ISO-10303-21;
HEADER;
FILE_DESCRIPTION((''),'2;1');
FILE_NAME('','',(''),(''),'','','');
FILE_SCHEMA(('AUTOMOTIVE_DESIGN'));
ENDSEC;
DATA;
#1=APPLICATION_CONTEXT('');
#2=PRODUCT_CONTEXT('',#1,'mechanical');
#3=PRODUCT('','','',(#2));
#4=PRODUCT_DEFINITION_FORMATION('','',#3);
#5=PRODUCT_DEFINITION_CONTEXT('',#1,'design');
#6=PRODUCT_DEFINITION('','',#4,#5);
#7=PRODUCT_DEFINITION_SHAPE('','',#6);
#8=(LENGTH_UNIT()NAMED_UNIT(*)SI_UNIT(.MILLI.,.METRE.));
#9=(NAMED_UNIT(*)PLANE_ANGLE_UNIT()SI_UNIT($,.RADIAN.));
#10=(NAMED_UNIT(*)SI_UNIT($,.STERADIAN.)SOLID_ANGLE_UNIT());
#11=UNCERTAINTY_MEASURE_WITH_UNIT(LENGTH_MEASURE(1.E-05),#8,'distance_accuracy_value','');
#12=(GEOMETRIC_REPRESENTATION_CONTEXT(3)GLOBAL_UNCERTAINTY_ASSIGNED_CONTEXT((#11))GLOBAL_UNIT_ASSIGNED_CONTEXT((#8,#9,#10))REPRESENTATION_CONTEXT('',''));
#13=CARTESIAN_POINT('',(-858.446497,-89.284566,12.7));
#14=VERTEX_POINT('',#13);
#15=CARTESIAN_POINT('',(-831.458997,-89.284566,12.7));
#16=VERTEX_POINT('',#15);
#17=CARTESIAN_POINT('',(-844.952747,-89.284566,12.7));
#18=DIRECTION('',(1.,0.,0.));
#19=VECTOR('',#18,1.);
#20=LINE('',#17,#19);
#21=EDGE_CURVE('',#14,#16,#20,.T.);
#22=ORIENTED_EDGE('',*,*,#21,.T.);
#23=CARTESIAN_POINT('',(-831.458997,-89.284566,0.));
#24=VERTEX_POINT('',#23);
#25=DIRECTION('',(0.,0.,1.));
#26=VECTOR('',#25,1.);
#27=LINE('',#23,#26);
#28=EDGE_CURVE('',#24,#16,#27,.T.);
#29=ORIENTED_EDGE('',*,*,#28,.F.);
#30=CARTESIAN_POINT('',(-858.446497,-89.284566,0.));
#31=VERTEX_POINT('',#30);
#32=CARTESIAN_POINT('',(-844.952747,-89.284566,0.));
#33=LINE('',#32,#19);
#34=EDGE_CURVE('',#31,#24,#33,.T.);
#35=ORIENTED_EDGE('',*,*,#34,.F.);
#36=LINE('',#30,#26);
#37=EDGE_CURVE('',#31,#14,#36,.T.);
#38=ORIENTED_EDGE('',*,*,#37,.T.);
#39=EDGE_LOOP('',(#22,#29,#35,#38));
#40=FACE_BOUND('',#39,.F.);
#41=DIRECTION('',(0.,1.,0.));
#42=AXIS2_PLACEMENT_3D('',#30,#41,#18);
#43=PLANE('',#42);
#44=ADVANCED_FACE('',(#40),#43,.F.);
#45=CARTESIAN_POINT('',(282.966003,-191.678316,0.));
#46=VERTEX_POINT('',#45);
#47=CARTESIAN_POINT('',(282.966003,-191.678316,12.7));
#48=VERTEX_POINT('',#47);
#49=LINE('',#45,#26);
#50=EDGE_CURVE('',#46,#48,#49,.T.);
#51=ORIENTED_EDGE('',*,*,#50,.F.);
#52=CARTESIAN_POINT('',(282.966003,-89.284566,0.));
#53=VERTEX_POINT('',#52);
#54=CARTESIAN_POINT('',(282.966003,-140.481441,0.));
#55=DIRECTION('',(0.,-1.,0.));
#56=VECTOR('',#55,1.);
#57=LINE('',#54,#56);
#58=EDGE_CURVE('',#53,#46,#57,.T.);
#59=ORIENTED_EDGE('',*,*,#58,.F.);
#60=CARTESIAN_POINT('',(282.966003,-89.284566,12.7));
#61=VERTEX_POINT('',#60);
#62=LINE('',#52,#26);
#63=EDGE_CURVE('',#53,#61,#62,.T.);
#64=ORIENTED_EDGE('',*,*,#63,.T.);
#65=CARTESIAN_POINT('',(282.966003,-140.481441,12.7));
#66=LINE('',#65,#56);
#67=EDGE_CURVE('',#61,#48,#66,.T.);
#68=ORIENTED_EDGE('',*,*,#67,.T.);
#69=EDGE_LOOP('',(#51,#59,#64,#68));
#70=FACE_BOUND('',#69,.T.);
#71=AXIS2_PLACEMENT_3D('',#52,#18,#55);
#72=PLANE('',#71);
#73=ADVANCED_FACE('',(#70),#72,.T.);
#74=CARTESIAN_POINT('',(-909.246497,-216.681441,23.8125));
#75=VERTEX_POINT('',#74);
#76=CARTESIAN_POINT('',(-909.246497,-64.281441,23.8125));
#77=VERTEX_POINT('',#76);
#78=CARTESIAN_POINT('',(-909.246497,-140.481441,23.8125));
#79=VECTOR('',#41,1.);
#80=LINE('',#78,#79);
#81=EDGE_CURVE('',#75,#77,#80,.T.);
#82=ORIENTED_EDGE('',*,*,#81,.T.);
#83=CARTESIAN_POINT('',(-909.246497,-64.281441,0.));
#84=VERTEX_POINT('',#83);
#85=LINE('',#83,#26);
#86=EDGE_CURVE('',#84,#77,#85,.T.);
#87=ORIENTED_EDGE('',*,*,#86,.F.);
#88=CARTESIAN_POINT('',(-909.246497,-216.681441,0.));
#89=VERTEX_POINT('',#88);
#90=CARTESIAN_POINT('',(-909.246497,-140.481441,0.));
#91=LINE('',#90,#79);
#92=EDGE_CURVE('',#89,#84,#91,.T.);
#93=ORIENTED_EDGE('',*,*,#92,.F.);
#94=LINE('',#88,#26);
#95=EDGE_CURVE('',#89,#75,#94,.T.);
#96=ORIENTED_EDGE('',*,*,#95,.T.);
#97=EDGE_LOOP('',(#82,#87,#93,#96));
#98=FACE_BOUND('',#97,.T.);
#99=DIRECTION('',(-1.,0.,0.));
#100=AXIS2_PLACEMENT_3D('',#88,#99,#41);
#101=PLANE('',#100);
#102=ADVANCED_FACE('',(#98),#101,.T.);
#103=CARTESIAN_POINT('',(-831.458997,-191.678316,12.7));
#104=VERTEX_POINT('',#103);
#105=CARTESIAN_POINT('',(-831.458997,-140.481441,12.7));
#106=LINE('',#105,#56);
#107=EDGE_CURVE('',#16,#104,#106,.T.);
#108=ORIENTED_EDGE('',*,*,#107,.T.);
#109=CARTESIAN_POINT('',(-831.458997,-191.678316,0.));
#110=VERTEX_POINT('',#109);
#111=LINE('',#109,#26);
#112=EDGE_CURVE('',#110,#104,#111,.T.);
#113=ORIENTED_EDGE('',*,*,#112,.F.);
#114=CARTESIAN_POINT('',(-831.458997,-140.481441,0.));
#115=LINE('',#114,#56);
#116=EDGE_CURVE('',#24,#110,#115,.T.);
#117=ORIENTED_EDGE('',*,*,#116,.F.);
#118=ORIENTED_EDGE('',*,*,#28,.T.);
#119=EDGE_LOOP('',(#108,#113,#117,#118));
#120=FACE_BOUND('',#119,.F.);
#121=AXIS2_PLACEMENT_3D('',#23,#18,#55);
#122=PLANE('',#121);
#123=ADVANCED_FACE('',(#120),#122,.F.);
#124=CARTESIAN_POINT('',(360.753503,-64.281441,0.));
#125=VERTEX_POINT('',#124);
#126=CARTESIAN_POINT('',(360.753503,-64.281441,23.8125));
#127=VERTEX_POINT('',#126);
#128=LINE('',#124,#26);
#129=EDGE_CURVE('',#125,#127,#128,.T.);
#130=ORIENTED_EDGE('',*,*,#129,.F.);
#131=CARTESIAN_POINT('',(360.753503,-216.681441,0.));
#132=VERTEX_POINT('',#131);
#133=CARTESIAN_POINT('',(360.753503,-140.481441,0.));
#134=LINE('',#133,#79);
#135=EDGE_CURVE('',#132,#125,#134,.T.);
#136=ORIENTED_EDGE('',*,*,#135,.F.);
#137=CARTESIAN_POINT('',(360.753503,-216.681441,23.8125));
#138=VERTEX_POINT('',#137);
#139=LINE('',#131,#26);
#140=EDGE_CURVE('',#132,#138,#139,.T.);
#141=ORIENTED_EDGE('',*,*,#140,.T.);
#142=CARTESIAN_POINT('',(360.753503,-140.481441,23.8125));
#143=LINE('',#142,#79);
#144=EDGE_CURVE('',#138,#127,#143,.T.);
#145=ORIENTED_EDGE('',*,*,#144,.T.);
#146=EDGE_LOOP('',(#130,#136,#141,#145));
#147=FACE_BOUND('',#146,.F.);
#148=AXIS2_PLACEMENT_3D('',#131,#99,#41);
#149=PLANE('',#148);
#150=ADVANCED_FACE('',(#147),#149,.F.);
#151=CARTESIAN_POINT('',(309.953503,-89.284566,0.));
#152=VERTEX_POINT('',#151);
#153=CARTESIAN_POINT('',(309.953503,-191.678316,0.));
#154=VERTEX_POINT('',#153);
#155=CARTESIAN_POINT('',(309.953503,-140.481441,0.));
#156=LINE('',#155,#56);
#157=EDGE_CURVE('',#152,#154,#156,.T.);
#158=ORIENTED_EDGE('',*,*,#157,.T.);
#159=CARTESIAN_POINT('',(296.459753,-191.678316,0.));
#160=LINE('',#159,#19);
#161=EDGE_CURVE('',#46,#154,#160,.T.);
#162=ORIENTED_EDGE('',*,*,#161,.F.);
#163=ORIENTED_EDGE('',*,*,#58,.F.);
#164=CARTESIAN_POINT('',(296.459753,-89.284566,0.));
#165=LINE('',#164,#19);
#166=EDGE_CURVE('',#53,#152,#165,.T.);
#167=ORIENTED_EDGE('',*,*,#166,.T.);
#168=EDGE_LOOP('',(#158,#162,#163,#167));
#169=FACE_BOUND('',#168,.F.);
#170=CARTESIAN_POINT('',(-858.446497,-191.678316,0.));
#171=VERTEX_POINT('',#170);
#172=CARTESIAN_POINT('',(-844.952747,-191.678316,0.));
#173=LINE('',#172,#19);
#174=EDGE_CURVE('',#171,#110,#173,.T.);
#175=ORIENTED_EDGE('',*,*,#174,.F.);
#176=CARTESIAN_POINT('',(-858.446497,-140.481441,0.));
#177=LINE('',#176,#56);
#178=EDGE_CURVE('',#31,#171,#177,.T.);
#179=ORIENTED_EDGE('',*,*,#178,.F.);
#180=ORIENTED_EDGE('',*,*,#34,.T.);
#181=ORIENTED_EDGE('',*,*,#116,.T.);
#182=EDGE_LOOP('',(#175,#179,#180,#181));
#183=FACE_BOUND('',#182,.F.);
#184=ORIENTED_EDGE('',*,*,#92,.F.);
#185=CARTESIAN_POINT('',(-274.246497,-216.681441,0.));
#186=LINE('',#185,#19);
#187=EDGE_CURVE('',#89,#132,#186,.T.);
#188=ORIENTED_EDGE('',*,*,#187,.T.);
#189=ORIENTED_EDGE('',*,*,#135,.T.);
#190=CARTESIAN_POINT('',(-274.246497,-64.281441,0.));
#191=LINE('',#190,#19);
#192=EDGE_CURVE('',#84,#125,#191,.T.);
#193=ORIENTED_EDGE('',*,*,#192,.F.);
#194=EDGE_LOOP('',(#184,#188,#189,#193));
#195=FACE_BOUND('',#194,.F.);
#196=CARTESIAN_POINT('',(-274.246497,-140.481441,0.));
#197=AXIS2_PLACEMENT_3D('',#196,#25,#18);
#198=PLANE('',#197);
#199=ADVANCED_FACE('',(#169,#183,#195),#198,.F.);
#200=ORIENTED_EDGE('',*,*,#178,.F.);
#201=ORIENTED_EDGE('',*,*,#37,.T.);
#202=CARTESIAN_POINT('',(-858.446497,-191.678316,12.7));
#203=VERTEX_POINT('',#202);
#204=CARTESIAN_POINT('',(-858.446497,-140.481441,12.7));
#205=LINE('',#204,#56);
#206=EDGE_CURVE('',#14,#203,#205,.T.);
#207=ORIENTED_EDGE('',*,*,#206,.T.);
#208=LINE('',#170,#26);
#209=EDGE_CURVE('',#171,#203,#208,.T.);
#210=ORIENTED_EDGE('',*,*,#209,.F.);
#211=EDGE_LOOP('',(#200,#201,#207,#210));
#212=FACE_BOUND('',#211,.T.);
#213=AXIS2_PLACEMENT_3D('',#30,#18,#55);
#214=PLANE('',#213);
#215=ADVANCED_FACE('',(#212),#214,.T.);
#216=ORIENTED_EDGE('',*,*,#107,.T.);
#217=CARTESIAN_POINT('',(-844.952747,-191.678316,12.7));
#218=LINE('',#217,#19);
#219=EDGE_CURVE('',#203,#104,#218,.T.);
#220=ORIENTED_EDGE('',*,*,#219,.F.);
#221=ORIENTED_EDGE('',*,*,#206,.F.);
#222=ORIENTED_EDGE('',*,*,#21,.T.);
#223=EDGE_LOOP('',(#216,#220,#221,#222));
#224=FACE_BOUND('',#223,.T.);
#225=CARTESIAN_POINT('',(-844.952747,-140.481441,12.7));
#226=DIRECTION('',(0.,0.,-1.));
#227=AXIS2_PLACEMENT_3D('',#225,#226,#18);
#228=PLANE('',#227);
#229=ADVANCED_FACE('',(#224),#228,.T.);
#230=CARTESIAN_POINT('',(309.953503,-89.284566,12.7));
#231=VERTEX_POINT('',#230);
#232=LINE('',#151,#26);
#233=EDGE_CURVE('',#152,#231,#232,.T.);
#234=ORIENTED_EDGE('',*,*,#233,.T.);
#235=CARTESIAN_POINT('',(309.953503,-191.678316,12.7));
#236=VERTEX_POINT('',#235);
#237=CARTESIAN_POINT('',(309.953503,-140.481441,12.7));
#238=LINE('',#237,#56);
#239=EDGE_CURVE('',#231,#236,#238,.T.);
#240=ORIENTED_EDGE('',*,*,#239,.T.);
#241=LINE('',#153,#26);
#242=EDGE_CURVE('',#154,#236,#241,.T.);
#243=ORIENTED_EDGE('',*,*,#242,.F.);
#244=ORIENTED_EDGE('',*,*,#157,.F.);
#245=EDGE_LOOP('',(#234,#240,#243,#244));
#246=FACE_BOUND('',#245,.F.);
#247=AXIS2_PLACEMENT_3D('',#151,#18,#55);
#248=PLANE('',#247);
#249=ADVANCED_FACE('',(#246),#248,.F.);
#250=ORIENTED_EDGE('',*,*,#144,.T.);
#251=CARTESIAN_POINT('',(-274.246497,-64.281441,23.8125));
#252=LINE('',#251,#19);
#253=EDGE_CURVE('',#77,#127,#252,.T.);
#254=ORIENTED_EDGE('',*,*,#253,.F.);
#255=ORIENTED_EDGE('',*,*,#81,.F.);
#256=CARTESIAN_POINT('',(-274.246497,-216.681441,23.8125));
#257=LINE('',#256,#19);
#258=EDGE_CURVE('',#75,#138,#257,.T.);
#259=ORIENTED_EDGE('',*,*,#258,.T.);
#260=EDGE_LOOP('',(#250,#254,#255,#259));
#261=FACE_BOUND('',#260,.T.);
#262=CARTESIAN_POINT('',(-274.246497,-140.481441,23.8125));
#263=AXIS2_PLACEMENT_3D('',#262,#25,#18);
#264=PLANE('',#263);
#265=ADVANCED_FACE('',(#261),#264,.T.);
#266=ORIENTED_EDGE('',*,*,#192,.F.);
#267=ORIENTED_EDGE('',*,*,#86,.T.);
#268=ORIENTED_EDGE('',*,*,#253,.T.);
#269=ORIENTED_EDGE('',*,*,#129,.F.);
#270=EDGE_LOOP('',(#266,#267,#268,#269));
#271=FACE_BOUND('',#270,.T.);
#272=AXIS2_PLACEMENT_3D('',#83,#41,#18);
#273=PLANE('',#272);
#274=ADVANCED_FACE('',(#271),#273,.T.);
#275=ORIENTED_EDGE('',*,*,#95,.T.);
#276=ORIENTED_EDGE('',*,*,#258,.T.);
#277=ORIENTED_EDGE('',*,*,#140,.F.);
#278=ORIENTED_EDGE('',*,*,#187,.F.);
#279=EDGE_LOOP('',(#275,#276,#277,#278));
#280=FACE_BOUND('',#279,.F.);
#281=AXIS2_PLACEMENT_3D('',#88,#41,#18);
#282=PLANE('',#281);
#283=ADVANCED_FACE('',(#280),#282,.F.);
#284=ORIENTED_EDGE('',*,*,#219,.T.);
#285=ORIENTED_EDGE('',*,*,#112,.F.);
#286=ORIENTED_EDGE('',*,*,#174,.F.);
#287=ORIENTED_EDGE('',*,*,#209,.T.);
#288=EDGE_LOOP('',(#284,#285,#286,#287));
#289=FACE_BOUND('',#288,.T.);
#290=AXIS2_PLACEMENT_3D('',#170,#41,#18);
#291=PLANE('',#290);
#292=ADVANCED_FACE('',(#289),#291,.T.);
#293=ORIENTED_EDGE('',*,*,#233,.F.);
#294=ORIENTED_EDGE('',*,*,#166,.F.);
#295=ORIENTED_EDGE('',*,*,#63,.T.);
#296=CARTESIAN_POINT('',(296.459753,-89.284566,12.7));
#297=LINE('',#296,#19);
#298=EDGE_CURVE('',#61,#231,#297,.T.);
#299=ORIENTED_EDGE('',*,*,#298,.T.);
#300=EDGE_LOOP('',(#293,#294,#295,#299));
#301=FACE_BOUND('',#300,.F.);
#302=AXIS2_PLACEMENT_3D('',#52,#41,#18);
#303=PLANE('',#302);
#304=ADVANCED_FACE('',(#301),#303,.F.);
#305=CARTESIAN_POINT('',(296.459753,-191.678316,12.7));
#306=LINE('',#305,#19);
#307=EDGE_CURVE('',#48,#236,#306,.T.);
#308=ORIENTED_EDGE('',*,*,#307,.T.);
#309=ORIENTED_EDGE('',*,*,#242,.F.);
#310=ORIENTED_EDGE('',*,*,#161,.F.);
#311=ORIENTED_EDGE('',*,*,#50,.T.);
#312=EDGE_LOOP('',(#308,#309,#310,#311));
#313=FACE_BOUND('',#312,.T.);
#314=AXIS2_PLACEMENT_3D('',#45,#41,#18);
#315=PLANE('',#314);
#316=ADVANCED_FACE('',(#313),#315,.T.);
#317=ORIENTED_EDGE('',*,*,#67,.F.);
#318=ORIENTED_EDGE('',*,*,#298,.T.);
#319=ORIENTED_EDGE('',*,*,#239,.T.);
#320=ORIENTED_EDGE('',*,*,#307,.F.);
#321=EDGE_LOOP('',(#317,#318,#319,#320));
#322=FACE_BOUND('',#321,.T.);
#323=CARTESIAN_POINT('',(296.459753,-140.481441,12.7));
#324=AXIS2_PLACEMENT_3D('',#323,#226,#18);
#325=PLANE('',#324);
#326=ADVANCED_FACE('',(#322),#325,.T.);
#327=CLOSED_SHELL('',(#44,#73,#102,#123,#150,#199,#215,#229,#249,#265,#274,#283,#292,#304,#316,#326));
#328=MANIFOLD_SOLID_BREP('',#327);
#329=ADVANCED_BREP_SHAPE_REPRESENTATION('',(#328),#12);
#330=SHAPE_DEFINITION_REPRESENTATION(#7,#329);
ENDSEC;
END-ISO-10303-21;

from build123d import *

# Parameters (mm, degrees)
F0_W     = 1270
F0_H     = 152.4
F1_DEPTH = 23.8125
F2_W     = 26.9875
F2_H     = 102.39375
F3_DEPTH = 12.7


with BuildPart() as f1:
    # F0 (on Top) → F1 (new body)
    with BuildSketch(Plane.XY):
        with Locations((-274.246497, -140.481441)):
            Rectangle(F0_W, F0_H)
    extrude(amount=F1_DEPTH)

    # F2 (on face) → F3 (cut)
    with BuildSketch(Plane(origin=(0, 0, 0), x_dir=(1, 0, 0), z_dir=(0, 0, -1))):
        with Locations((-844.952747, 140.481441)):
            Rectangle(F2_W, F2_H)
        with Locations((296.459753, 140.481441)):
            Rectangle(F2_W, F2_H)
    extrude(amount=-F3_DEPTH, mode=Mode.SUBTRACT)


solid = f1.part
